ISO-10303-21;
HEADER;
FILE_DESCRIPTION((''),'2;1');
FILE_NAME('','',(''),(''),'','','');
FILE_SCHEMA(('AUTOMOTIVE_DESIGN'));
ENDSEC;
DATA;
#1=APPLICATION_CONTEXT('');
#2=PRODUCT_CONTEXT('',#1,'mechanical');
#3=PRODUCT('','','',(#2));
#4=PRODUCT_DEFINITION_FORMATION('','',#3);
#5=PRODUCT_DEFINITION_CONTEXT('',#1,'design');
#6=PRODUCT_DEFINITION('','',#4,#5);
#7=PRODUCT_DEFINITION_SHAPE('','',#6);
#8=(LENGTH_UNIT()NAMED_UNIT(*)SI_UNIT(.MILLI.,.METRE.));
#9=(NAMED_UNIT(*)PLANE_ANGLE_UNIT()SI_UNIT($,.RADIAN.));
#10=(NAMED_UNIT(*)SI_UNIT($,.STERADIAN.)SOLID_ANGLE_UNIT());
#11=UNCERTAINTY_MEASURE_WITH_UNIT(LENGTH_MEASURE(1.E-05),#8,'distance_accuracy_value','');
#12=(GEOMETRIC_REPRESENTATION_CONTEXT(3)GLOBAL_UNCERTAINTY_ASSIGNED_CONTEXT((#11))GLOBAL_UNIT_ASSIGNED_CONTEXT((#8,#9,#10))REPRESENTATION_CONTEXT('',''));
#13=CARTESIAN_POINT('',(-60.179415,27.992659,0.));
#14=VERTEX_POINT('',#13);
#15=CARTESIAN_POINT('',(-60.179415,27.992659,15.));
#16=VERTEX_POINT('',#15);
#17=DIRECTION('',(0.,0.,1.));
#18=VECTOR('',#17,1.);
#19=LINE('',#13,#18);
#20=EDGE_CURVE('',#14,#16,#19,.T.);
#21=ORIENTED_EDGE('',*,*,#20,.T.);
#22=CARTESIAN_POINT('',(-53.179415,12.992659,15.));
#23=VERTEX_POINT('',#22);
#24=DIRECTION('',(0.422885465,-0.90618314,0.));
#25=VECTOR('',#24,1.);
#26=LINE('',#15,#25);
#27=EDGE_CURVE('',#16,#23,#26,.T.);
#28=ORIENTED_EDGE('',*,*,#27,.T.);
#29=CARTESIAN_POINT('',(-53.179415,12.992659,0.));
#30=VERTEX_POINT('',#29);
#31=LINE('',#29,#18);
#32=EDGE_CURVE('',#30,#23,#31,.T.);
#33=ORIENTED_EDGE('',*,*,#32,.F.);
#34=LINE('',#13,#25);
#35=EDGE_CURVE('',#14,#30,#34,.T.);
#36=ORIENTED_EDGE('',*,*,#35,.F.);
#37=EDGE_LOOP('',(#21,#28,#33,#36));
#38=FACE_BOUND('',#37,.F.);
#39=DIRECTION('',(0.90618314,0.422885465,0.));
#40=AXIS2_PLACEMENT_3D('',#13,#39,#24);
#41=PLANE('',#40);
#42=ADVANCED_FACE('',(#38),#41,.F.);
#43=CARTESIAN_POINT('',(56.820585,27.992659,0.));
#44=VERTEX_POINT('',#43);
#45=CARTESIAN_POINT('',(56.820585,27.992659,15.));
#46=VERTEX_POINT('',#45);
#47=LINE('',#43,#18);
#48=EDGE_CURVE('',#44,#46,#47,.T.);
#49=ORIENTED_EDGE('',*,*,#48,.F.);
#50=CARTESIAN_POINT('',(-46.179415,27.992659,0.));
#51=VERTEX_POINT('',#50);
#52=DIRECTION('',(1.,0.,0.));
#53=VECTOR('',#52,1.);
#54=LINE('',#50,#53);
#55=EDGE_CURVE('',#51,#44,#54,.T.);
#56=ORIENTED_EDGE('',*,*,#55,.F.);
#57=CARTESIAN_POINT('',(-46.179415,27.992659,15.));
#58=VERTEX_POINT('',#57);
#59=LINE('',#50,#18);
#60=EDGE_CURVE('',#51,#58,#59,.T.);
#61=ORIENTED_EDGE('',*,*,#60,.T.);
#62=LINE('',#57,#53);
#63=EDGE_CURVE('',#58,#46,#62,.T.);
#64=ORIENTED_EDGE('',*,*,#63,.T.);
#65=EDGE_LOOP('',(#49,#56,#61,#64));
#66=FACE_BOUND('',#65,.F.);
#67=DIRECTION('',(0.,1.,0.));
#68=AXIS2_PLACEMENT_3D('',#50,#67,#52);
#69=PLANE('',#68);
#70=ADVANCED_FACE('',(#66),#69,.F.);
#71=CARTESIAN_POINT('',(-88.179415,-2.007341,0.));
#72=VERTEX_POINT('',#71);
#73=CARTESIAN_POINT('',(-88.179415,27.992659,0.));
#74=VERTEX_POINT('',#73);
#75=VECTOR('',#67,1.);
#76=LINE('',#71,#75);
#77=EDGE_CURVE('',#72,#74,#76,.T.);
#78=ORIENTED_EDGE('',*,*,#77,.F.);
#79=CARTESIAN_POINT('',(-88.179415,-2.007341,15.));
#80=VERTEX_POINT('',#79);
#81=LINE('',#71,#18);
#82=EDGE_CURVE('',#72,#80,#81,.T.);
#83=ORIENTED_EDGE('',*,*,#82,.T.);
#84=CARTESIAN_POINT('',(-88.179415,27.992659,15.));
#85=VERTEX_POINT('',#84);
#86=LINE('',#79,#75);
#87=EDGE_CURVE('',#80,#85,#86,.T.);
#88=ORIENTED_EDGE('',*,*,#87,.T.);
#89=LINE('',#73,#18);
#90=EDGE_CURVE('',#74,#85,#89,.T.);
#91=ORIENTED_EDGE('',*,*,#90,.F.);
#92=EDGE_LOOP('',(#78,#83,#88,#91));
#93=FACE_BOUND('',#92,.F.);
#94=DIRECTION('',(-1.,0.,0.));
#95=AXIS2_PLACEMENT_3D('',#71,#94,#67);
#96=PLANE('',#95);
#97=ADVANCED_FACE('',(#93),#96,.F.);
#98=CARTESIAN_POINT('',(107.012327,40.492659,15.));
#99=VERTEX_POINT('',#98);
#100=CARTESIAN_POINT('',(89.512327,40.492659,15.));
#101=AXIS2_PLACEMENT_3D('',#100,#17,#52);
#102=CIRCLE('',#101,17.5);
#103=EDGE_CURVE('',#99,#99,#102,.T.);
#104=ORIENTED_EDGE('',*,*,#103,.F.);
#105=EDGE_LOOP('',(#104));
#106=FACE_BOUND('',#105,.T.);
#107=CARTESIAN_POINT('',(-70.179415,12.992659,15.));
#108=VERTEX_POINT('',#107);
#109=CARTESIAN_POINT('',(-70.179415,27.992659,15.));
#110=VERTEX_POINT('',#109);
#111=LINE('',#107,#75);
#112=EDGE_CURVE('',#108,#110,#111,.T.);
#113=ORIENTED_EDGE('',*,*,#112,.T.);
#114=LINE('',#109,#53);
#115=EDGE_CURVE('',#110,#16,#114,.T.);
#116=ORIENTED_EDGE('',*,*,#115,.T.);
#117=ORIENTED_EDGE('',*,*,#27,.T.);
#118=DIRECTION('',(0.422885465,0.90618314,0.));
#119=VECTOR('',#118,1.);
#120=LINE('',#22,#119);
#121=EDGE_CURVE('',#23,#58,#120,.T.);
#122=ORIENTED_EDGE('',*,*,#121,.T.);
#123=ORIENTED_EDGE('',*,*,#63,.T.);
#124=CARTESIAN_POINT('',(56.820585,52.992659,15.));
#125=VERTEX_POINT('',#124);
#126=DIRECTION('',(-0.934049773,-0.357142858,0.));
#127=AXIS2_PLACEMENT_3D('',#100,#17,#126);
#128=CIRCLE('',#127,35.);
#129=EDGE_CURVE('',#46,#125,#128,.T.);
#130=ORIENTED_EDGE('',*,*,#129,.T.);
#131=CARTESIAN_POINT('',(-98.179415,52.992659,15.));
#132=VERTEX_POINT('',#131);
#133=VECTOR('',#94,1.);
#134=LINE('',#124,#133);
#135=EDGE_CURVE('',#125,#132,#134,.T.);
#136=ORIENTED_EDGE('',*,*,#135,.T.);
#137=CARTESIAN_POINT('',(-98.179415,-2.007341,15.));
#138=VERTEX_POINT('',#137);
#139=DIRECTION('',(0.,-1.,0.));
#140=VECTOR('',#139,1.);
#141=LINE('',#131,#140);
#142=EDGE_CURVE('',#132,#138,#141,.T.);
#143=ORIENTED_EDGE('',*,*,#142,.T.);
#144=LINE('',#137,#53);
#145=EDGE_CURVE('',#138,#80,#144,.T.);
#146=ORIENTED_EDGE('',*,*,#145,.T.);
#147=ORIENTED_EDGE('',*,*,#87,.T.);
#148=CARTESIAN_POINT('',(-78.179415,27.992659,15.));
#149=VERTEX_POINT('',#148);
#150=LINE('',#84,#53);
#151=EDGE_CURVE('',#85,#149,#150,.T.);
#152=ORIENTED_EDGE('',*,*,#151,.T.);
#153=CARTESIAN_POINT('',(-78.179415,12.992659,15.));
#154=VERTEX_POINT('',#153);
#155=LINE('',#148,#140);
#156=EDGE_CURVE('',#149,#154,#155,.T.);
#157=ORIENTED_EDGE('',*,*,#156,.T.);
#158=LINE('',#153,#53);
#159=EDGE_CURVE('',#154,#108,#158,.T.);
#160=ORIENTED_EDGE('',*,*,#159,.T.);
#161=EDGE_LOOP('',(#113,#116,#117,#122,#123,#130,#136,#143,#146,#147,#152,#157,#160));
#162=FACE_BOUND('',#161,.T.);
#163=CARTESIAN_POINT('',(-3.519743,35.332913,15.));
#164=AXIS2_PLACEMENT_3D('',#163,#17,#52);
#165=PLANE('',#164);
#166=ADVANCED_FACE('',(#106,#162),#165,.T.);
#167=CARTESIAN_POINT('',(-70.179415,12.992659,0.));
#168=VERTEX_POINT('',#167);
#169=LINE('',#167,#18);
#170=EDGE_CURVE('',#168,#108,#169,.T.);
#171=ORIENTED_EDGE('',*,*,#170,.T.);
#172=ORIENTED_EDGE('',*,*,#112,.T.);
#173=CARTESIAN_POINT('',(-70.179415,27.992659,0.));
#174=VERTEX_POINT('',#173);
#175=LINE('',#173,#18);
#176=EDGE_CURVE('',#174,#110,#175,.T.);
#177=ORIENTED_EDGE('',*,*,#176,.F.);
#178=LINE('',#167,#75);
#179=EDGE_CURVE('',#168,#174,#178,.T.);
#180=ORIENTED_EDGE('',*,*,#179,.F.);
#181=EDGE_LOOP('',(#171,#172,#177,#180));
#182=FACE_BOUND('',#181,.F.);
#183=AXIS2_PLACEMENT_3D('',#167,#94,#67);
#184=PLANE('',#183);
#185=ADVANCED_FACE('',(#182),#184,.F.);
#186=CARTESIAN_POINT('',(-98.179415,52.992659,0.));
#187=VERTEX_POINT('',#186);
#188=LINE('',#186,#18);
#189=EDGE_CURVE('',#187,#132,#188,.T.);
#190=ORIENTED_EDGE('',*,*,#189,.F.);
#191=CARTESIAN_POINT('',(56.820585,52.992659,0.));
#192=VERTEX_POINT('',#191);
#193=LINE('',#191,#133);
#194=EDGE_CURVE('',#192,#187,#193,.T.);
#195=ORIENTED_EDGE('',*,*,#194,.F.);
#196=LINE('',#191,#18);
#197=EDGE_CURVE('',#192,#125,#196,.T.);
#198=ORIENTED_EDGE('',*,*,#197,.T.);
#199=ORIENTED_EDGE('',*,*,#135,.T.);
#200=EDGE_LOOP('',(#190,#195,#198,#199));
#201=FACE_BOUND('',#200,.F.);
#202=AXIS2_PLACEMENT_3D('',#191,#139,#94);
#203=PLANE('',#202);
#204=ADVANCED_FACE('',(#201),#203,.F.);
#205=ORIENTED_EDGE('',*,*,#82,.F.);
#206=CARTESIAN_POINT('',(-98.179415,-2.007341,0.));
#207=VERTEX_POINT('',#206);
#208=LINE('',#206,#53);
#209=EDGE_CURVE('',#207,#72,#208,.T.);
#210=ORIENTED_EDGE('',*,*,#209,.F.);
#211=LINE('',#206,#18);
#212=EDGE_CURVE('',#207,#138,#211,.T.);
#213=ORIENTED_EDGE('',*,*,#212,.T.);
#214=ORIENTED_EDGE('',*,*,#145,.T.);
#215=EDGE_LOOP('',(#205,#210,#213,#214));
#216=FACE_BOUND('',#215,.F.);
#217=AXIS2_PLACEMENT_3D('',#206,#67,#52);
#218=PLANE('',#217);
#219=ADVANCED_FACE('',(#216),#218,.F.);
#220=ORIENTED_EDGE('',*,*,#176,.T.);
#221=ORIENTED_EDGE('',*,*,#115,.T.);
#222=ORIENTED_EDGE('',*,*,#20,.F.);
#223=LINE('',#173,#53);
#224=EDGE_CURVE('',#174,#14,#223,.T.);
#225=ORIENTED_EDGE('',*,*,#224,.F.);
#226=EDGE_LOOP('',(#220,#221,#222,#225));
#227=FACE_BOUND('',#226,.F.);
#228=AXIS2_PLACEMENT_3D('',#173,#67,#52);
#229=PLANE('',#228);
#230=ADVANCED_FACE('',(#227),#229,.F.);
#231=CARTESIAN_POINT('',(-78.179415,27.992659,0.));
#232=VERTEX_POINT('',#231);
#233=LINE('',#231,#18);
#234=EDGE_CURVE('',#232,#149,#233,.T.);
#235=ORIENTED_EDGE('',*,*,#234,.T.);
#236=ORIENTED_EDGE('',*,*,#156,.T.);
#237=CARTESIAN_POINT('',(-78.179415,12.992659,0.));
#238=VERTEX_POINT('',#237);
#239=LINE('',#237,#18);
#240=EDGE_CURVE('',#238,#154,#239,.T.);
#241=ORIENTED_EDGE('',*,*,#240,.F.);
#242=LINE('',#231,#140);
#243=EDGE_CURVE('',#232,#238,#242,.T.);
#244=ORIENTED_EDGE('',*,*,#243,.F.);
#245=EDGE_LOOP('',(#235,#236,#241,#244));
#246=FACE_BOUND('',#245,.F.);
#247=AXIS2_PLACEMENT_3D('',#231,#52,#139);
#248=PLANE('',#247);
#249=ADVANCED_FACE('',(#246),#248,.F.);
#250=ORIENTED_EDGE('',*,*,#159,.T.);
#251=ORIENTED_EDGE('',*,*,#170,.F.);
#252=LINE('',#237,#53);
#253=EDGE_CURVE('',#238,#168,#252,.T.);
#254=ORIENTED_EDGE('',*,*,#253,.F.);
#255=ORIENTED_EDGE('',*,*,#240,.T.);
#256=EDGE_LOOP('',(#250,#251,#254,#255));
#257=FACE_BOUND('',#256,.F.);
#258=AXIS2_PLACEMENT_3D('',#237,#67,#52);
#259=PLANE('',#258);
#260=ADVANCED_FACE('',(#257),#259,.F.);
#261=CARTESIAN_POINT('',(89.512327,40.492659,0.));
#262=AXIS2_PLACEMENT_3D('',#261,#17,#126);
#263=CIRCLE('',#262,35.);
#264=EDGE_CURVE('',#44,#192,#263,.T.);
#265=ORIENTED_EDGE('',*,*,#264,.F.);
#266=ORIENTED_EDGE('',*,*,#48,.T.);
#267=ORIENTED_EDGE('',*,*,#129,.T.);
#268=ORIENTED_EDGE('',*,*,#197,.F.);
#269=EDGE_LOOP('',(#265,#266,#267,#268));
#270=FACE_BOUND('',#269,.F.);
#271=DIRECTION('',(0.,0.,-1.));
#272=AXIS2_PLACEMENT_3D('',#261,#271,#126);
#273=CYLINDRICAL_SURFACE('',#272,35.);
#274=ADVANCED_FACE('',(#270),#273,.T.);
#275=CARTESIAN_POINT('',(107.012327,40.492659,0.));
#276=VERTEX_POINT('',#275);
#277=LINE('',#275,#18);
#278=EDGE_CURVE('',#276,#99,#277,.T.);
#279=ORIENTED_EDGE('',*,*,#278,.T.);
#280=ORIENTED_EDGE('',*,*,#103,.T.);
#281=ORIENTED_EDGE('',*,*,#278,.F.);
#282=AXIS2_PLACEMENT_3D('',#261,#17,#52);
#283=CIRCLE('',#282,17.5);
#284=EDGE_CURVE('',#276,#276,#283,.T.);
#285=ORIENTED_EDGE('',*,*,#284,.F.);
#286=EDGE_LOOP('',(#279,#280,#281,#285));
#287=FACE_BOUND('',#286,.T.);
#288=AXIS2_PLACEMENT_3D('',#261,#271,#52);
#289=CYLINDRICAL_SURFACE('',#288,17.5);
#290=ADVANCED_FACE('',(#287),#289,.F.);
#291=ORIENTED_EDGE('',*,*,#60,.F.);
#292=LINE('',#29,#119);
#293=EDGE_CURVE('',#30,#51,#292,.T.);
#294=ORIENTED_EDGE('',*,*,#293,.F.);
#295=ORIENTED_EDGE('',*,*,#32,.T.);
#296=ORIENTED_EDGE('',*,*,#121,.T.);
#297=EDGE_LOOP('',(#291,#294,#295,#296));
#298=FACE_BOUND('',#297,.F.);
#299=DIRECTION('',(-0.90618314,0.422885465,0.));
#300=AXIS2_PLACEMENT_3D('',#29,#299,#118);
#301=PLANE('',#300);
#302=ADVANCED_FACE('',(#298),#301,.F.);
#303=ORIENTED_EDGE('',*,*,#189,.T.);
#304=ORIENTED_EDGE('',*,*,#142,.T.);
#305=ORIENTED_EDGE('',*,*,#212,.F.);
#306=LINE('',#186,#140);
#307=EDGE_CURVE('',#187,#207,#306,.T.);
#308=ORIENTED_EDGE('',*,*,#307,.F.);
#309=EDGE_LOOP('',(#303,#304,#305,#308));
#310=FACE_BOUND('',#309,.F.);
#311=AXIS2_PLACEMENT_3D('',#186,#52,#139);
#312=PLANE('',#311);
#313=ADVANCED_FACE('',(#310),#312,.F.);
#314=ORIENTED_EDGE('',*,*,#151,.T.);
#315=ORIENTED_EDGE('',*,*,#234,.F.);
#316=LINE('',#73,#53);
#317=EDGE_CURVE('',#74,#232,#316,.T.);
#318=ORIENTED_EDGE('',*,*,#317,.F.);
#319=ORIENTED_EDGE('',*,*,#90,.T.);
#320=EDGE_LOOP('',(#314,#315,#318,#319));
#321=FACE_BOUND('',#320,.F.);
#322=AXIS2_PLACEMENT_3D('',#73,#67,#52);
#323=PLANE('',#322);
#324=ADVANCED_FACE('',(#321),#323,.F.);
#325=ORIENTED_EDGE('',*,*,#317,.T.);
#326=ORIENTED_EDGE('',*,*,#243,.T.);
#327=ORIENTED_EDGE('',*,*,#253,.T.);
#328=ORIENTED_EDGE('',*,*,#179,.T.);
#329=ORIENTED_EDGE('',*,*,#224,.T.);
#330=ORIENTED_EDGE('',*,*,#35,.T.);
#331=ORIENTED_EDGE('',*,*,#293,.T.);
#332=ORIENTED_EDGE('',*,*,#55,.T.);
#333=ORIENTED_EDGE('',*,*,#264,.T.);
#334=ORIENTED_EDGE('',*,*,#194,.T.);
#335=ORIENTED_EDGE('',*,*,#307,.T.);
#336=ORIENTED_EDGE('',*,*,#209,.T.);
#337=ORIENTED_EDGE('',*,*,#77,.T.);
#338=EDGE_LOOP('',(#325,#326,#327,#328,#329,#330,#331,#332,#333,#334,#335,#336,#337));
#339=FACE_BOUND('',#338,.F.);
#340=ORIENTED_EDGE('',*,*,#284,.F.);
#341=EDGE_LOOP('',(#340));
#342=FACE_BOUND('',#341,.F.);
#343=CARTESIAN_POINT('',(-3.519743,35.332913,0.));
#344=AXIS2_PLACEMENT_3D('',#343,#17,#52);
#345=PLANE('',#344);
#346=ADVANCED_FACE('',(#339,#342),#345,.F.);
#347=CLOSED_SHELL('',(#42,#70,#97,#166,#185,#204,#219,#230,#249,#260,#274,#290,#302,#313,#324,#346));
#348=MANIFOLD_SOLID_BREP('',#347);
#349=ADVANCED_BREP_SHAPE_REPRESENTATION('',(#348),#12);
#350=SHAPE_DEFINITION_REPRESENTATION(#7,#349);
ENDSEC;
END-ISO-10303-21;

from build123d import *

# Parameters (mm, degrees)
F0_R     = 17.5
F1_DEPTH = 15


with BuildPart() as f1:
    # F0 (on Top) → F1 (new body)
    with BuildSketch(Plane.XY):
        with BuildLine():
            Line((-88.179415, -2.007341), (-88.179415, 27.992659))
            Line((-88.179415, 27.992659), (-78.179415, 27.992659))
            Line((-78.179415, 27.992659), (-78.179415, 12.992659))
            Line((-78.179415, 12.992659), (-70.179415, 12.992659))
            Line((-70.179415, 12.992659), (-70.179415, 27.992659))
            Line((-70.179415, 27.992659), (-60.179415, 27.992659))
            Line((-60.179415, 27.992659), (-53.179415, 12.992659))
            Line((-53.179415, 12.992659), (-46.179415, 27.992659))
            Line((-46.179415, 27.992659), (56.820585, 27.992659))
            ThreePointArc((56.820585, 27.992659), (124.512327, 40.492659), (56.820585, 52.992659))
            Line((56.820585, 52.992659), (-98.179415, 52.992659))
            Line((-98.179415, 52.992659), (-98.179415, 27.992659))
            Line((-98.179415, 27.992659), (-98.179415, -2.007341))
            Line((-98.179415, -2.007341), (-88.179415, -2.007341))
        make_face()
        with Locations((89.512327, 40.492659)):
            Circle(F0_R, mode=Mode.SUBTRACT)
    extrude(amount=F1_DEPTH)


solid = f1.part
